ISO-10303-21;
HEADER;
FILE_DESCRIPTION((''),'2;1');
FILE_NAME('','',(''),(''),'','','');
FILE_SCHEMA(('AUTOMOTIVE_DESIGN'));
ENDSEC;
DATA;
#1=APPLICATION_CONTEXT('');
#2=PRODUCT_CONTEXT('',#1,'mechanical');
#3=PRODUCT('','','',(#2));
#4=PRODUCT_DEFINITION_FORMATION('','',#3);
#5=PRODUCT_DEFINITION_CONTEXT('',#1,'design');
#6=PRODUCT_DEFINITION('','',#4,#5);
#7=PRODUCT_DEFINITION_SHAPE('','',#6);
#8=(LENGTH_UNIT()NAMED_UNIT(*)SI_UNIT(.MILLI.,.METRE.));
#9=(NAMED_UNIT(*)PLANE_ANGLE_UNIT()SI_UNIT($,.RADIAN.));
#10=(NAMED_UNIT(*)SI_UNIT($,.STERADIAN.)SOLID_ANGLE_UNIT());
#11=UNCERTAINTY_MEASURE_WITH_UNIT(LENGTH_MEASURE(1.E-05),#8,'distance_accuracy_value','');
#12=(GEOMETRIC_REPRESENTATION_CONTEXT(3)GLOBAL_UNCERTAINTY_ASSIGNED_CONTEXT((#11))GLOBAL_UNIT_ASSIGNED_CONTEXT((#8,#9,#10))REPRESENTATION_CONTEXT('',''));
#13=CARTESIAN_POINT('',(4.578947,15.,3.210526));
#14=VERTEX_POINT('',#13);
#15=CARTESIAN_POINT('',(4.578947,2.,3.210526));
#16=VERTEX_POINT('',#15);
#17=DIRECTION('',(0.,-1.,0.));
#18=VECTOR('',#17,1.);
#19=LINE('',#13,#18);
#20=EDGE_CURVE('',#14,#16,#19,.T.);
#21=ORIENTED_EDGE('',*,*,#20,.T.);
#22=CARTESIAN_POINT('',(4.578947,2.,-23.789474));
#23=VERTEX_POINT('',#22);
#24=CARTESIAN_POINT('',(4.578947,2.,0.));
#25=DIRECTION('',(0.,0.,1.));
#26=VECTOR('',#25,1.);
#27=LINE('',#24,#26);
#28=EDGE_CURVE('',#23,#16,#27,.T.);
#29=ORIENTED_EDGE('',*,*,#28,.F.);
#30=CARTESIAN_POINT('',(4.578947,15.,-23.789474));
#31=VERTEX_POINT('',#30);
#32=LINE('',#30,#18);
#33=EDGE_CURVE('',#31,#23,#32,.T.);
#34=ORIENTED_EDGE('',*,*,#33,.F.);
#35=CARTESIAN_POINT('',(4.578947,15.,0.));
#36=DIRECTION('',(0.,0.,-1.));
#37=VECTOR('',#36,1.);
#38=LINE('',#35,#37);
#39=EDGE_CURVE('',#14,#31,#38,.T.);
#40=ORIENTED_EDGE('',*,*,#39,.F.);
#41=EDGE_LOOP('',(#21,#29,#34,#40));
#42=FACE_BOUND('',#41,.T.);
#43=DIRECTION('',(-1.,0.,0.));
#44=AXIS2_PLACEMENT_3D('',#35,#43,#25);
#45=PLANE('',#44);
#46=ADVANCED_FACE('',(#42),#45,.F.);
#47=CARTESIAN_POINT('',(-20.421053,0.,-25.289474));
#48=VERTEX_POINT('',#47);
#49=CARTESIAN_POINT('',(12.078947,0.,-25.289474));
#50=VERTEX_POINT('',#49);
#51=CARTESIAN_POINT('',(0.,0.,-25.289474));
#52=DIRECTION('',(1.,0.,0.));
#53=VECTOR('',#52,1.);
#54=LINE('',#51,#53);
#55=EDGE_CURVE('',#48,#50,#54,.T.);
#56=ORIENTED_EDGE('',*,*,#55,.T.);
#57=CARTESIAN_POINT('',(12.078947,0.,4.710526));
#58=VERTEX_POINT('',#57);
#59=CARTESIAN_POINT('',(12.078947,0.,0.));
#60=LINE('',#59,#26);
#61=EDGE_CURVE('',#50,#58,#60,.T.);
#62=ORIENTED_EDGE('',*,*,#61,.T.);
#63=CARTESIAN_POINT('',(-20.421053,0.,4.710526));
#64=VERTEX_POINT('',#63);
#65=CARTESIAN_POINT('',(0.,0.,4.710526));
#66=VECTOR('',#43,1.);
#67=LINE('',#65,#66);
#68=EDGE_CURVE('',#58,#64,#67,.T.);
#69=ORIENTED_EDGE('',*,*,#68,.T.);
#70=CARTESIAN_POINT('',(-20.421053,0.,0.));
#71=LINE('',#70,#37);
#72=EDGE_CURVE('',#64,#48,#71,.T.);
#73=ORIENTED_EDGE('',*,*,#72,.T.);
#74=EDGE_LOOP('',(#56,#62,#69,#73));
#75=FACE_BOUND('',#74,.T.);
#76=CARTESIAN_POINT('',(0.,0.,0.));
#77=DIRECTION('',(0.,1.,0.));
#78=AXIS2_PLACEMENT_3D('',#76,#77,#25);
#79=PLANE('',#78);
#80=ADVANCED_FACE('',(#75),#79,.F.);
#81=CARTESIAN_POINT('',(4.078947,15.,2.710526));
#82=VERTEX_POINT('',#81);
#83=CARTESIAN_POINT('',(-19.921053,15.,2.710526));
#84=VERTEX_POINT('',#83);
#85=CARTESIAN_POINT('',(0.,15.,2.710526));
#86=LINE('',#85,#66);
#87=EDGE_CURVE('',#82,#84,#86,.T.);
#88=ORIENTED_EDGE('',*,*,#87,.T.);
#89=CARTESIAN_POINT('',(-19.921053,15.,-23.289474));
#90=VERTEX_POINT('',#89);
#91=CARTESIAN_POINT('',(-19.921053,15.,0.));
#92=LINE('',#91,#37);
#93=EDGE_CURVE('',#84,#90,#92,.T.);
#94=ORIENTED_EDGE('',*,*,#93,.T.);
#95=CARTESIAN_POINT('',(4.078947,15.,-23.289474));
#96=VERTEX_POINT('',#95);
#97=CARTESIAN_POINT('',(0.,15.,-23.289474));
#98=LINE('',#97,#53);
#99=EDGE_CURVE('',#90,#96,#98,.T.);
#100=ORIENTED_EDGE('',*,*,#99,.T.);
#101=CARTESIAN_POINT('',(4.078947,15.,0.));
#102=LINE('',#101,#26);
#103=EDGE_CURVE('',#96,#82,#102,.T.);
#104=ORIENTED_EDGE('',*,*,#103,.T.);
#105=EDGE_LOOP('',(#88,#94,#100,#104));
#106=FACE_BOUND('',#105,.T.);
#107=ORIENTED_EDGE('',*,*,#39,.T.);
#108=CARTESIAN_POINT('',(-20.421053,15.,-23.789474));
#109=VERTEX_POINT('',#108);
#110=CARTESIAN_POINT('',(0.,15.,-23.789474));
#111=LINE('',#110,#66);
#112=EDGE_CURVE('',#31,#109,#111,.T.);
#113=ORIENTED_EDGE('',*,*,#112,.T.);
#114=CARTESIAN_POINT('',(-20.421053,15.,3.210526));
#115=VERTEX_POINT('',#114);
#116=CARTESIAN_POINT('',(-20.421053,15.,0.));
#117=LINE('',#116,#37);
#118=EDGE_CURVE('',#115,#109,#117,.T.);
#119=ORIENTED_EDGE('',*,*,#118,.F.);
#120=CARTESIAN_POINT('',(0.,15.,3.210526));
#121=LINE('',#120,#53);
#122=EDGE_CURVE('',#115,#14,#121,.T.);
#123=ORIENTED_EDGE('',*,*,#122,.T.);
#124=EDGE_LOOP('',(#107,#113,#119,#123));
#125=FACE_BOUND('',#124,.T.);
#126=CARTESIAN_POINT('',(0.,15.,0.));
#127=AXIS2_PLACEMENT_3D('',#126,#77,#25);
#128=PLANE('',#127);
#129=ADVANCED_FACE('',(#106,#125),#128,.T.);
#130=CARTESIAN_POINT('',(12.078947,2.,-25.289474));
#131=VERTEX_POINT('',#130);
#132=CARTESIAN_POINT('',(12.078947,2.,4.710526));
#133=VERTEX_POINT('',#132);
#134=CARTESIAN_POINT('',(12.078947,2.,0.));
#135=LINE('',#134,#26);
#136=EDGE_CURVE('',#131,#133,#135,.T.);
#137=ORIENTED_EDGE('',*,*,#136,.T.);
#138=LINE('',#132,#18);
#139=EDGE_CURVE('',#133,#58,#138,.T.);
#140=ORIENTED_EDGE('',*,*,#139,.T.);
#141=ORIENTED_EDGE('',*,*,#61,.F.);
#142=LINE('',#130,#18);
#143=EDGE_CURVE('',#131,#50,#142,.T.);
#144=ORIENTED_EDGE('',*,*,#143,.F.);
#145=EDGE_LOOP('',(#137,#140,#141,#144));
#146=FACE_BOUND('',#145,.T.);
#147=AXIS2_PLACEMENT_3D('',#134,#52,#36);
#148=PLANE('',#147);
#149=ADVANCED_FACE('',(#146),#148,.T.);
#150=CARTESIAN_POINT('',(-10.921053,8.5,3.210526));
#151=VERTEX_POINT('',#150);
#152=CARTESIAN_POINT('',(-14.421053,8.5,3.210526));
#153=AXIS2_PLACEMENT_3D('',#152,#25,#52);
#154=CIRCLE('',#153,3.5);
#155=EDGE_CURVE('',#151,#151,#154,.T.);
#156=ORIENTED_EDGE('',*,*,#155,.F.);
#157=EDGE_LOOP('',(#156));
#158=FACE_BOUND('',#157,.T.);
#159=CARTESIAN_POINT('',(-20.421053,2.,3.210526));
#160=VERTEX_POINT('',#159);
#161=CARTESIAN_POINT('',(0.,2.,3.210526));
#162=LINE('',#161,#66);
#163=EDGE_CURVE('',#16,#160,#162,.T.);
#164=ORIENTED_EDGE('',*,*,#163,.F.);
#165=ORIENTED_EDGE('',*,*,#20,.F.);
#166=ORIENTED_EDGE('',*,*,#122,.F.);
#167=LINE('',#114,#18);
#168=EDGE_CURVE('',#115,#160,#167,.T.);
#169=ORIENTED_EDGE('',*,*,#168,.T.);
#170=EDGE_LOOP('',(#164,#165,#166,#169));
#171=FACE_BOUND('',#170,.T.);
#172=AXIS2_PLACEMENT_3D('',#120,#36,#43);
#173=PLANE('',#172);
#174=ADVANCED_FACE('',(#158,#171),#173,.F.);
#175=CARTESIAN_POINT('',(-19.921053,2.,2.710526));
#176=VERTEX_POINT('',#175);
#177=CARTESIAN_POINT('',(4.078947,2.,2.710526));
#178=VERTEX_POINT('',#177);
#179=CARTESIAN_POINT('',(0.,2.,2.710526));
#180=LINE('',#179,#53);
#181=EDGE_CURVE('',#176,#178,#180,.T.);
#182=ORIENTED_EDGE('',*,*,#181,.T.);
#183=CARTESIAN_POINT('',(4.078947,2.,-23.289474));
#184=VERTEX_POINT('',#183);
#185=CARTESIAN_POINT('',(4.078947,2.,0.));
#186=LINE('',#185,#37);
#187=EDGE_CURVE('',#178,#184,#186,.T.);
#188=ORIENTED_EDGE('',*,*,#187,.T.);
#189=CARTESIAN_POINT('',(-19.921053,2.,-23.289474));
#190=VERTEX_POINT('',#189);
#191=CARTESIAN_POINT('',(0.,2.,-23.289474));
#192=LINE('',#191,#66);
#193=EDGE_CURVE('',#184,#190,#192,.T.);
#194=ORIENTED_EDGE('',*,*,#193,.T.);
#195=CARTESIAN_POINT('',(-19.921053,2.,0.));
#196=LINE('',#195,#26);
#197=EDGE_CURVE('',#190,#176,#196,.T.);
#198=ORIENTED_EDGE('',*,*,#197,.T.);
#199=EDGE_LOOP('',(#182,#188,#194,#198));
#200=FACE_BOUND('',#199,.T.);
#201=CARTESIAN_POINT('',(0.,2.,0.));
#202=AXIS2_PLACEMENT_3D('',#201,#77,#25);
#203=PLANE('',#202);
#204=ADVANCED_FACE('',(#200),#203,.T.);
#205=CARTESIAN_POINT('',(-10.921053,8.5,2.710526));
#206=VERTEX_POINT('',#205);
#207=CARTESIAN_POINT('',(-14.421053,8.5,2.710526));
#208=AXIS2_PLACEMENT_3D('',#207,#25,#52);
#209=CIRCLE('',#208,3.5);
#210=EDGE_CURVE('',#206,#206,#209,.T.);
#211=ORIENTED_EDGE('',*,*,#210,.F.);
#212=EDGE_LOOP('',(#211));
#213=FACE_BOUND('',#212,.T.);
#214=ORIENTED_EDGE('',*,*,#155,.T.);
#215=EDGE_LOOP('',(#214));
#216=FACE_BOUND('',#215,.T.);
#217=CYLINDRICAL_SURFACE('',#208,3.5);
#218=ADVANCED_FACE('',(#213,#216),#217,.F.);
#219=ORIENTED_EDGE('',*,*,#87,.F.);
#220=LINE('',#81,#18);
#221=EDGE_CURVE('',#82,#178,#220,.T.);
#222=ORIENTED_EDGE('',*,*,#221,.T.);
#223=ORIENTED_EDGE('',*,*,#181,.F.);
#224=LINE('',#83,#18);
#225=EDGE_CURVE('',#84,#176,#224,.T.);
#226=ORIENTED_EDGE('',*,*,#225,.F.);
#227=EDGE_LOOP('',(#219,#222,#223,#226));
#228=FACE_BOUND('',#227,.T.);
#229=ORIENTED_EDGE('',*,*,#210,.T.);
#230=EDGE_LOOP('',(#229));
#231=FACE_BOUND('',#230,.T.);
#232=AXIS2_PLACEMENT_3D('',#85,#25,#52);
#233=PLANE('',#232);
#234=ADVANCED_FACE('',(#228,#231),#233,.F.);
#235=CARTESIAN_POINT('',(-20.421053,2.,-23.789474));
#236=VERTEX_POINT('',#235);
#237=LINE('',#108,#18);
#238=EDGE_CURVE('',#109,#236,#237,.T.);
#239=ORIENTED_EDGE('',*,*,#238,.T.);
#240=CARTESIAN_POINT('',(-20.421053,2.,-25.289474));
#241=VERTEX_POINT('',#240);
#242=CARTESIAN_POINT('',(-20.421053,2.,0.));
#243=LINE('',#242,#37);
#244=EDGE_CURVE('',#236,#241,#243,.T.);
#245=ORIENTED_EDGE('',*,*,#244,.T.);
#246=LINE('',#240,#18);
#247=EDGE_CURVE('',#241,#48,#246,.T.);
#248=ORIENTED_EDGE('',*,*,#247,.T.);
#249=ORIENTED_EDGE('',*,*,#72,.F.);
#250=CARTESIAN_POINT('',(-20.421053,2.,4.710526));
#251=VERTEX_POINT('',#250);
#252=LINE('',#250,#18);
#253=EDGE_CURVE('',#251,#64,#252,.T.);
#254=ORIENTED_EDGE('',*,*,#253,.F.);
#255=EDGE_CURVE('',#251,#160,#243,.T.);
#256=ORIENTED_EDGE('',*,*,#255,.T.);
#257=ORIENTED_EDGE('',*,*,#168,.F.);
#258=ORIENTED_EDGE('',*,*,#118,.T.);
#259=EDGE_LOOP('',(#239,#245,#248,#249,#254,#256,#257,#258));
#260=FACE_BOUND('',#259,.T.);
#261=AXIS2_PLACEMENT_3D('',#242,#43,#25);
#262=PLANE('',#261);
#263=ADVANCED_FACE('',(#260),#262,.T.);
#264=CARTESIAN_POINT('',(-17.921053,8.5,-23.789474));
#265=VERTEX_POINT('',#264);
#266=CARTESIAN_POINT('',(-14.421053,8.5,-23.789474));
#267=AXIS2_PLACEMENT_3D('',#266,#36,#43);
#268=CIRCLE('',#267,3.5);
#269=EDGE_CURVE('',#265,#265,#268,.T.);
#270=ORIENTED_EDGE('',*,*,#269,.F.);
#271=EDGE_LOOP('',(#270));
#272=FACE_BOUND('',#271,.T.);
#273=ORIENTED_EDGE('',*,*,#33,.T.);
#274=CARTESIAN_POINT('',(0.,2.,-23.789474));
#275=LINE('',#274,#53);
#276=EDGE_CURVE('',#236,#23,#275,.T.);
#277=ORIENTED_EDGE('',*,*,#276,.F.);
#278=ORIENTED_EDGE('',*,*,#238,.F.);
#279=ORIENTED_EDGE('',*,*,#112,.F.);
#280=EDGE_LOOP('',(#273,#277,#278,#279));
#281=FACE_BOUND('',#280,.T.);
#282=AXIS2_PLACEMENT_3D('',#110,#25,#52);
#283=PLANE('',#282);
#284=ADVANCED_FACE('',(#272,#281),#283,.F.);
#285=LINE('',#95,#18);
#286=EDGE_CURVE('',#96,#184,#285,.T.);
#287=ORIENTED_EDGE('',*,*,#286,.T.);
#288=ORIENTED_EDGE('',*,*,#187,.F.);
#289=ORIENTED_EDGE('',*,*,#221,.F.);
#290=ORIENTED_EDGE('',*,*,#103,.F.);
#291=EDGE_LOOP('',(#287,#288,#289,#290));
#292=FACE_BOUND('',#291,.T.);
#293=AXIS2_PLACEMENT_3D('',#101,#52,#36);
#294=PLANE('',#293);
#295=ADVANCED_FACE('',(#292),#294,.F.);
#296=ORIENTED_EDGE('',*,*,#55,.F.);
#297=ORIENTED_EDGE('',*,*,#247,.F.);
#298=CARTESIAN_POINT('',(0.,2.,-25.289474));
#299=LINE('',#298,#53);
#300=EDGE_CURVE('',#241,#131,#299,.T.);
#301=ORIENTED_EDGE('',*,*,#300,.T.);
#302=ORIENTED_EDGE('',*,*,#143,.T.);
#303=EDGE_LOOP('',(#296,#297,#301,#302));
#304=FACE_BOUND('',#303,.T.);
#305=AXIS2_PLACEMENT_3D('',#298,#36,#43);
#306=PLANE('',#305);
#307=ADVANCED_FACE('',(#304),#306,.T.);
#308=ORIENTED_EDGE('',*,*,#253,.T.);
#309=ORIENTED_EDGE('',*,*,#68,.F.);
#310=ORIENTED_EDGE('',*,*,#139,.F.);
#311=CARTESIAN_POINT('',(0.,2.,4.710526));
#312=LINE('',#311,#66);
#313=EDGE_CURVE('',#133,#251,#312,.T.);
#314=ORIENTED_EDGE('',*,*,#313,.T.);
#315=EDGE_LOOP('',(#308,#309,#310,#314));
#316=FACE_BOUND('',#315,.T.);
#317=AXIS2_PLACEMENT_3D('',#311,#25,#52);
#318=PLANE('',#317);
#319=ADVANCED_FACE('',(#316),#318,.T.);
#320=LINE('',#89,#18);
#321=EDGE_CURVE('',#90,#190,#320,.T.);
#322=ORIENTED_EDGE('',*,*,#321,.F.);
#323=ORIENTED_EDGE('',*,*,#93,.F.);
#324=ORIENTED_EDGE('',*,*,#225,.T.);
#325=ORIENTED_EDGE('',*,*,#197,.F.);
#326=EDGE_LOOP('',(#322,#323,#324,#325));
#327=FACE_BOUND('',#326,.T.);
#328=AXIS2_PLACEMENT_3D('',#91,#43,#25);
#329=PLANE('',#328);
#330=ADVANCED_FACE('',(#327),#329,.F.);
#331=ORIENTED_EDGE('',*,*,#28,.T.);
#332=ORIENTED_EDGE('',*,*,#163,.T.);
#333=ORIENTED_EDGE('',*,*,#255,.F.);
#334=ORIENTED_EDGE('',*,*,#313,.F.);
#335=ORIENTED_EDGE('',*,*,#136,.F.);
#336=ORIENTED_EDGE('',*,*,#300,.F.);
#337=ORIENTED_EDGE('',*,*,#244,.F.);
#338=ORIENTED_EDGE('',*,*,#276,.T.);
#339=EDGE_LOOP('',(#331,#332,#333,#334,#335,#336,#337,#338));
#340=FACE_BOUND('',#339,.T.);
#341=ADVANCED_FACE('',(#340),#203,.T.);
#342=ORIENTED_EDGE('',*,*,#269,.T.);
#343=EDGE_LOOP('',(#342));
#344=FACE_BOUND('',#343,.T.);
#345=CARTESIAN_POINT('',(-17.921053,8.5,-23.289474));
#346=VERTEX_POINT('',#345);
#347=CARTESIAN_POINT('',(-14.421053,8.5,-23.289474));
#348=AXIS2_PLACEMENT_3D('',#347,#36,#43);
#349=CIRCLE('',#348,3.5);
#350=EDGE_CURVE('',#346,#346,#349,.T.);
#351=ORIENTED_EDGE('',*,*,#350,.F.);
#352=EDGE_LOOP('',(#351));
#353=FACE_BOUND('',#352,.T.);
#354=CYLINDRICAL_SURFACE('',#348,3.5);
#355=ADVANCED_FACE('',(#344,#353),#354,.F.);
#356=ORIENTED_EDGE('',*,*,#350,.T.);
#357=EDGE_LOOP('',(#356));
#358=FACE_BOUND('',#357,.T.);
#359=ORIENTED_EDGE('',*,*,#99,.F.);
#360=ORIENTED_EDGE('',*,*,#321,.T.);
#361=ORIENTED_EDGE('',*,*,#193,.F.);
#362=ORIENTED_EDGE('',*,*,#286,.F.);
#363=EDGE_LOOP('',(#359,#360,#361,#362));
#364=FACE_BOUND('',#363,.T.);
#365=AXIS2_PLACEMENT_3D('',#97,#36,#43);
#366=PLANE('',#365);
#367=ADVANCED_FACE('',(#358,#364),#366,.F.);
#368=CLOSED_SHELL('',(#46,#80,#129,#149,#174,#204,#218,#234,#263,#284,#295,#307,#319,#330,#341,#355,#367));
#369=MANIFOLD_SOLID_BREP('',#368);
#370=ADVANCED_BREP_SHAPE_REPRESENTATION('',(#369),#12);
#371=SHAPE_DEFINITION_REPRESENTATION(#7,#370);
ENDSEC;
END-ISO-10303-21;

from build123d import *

# Parameters (mm, degrees)
ESQUISSE1_W             = 32.5
ESQUISSE1_H             = 30
BOSS_EXTRU_1_DEPTH      = 2
ESQUISSE1_4_W           = 25
ESQUISSE1_4_H           = 27
ESQUISSE1_4_W_2         = 24
ESQUISSE1_4_H_2         = 26
BOSS_EXTRU_2_DEPTH      = 15
ESQUISSE6_R             = 3.5
ENL_V_MAT_EXTRU_2_DEPTH = 0.5
ENL_V_START             = -0.5
ESQUISSE5_R             = 3.5
ENL_V_MAT_EXTRU_3_DEPTH = 0.5


with BuildPart() as part:
    # Esquisse1 → Boss.-Extru.1 (new body)
    with BuildSketch(Plane(origin=(0, 0, 0), x_dir=(1, 0, 0), z_dir=(0, 1, 0))):
        with Locations((-4.171052632, 10.289473684)):
            Rectangle(ESQUISSE1_W, ESQUISSE1_H)
    extrude(amount=BOSS_EXTRU_1_DEPTH)

    # Esquisse1<4> → Boss.-Extru.2 (add)
    with BuildSketch(Plane(origin=(0, 0, 0), x_dir=(1, 0, 0), z_dir=(0, 1, 0))):
        with Locations((-7.921052632, 10.289473684)):
            Rectangle(ESQUISSE1_4_W, ESQUISSE1_4_H)
        with Locations((-7.921052632, 10.289473684)):
            Rectangle(ESQUISSE1_4_W_2, ESQUISSE1_4_H_2, mode=Mode.SUBTRACT)
    extrude(amount=BOSS_EXTRU_2_DEPTH)

    # Esquisse6 → Enlèv. mat.-Extru.2 (cut)
    with BuildSketch(Plane.XY.offset(3.210526316)):
        with Locations((-14.421052632, 8.5)):
            Circle(ESQUISSE6_R)
    extrude(amount=-ENL_V_MAT_EXTRU_2_DEPTH, mode=Mode.SUBTRACT)

    # Esquisse5 → Enlèv. mat.-Extru.3 (cut)
    with BuildSketch(Plane(origin=(0, 0, -23.789473684), x_dir=(-1, 0, 0), z_dir=(0, 0, -1)).offset(ENL_V_START)):
        with Locations((14.421052632, 8.5)):
            Circle(ESQUISSE5_R)
    extrude(amount=ENL_V_MAT_EXTRU_3_DEPTH, mode=Mode.SUBTRACT)


solid = part.part
